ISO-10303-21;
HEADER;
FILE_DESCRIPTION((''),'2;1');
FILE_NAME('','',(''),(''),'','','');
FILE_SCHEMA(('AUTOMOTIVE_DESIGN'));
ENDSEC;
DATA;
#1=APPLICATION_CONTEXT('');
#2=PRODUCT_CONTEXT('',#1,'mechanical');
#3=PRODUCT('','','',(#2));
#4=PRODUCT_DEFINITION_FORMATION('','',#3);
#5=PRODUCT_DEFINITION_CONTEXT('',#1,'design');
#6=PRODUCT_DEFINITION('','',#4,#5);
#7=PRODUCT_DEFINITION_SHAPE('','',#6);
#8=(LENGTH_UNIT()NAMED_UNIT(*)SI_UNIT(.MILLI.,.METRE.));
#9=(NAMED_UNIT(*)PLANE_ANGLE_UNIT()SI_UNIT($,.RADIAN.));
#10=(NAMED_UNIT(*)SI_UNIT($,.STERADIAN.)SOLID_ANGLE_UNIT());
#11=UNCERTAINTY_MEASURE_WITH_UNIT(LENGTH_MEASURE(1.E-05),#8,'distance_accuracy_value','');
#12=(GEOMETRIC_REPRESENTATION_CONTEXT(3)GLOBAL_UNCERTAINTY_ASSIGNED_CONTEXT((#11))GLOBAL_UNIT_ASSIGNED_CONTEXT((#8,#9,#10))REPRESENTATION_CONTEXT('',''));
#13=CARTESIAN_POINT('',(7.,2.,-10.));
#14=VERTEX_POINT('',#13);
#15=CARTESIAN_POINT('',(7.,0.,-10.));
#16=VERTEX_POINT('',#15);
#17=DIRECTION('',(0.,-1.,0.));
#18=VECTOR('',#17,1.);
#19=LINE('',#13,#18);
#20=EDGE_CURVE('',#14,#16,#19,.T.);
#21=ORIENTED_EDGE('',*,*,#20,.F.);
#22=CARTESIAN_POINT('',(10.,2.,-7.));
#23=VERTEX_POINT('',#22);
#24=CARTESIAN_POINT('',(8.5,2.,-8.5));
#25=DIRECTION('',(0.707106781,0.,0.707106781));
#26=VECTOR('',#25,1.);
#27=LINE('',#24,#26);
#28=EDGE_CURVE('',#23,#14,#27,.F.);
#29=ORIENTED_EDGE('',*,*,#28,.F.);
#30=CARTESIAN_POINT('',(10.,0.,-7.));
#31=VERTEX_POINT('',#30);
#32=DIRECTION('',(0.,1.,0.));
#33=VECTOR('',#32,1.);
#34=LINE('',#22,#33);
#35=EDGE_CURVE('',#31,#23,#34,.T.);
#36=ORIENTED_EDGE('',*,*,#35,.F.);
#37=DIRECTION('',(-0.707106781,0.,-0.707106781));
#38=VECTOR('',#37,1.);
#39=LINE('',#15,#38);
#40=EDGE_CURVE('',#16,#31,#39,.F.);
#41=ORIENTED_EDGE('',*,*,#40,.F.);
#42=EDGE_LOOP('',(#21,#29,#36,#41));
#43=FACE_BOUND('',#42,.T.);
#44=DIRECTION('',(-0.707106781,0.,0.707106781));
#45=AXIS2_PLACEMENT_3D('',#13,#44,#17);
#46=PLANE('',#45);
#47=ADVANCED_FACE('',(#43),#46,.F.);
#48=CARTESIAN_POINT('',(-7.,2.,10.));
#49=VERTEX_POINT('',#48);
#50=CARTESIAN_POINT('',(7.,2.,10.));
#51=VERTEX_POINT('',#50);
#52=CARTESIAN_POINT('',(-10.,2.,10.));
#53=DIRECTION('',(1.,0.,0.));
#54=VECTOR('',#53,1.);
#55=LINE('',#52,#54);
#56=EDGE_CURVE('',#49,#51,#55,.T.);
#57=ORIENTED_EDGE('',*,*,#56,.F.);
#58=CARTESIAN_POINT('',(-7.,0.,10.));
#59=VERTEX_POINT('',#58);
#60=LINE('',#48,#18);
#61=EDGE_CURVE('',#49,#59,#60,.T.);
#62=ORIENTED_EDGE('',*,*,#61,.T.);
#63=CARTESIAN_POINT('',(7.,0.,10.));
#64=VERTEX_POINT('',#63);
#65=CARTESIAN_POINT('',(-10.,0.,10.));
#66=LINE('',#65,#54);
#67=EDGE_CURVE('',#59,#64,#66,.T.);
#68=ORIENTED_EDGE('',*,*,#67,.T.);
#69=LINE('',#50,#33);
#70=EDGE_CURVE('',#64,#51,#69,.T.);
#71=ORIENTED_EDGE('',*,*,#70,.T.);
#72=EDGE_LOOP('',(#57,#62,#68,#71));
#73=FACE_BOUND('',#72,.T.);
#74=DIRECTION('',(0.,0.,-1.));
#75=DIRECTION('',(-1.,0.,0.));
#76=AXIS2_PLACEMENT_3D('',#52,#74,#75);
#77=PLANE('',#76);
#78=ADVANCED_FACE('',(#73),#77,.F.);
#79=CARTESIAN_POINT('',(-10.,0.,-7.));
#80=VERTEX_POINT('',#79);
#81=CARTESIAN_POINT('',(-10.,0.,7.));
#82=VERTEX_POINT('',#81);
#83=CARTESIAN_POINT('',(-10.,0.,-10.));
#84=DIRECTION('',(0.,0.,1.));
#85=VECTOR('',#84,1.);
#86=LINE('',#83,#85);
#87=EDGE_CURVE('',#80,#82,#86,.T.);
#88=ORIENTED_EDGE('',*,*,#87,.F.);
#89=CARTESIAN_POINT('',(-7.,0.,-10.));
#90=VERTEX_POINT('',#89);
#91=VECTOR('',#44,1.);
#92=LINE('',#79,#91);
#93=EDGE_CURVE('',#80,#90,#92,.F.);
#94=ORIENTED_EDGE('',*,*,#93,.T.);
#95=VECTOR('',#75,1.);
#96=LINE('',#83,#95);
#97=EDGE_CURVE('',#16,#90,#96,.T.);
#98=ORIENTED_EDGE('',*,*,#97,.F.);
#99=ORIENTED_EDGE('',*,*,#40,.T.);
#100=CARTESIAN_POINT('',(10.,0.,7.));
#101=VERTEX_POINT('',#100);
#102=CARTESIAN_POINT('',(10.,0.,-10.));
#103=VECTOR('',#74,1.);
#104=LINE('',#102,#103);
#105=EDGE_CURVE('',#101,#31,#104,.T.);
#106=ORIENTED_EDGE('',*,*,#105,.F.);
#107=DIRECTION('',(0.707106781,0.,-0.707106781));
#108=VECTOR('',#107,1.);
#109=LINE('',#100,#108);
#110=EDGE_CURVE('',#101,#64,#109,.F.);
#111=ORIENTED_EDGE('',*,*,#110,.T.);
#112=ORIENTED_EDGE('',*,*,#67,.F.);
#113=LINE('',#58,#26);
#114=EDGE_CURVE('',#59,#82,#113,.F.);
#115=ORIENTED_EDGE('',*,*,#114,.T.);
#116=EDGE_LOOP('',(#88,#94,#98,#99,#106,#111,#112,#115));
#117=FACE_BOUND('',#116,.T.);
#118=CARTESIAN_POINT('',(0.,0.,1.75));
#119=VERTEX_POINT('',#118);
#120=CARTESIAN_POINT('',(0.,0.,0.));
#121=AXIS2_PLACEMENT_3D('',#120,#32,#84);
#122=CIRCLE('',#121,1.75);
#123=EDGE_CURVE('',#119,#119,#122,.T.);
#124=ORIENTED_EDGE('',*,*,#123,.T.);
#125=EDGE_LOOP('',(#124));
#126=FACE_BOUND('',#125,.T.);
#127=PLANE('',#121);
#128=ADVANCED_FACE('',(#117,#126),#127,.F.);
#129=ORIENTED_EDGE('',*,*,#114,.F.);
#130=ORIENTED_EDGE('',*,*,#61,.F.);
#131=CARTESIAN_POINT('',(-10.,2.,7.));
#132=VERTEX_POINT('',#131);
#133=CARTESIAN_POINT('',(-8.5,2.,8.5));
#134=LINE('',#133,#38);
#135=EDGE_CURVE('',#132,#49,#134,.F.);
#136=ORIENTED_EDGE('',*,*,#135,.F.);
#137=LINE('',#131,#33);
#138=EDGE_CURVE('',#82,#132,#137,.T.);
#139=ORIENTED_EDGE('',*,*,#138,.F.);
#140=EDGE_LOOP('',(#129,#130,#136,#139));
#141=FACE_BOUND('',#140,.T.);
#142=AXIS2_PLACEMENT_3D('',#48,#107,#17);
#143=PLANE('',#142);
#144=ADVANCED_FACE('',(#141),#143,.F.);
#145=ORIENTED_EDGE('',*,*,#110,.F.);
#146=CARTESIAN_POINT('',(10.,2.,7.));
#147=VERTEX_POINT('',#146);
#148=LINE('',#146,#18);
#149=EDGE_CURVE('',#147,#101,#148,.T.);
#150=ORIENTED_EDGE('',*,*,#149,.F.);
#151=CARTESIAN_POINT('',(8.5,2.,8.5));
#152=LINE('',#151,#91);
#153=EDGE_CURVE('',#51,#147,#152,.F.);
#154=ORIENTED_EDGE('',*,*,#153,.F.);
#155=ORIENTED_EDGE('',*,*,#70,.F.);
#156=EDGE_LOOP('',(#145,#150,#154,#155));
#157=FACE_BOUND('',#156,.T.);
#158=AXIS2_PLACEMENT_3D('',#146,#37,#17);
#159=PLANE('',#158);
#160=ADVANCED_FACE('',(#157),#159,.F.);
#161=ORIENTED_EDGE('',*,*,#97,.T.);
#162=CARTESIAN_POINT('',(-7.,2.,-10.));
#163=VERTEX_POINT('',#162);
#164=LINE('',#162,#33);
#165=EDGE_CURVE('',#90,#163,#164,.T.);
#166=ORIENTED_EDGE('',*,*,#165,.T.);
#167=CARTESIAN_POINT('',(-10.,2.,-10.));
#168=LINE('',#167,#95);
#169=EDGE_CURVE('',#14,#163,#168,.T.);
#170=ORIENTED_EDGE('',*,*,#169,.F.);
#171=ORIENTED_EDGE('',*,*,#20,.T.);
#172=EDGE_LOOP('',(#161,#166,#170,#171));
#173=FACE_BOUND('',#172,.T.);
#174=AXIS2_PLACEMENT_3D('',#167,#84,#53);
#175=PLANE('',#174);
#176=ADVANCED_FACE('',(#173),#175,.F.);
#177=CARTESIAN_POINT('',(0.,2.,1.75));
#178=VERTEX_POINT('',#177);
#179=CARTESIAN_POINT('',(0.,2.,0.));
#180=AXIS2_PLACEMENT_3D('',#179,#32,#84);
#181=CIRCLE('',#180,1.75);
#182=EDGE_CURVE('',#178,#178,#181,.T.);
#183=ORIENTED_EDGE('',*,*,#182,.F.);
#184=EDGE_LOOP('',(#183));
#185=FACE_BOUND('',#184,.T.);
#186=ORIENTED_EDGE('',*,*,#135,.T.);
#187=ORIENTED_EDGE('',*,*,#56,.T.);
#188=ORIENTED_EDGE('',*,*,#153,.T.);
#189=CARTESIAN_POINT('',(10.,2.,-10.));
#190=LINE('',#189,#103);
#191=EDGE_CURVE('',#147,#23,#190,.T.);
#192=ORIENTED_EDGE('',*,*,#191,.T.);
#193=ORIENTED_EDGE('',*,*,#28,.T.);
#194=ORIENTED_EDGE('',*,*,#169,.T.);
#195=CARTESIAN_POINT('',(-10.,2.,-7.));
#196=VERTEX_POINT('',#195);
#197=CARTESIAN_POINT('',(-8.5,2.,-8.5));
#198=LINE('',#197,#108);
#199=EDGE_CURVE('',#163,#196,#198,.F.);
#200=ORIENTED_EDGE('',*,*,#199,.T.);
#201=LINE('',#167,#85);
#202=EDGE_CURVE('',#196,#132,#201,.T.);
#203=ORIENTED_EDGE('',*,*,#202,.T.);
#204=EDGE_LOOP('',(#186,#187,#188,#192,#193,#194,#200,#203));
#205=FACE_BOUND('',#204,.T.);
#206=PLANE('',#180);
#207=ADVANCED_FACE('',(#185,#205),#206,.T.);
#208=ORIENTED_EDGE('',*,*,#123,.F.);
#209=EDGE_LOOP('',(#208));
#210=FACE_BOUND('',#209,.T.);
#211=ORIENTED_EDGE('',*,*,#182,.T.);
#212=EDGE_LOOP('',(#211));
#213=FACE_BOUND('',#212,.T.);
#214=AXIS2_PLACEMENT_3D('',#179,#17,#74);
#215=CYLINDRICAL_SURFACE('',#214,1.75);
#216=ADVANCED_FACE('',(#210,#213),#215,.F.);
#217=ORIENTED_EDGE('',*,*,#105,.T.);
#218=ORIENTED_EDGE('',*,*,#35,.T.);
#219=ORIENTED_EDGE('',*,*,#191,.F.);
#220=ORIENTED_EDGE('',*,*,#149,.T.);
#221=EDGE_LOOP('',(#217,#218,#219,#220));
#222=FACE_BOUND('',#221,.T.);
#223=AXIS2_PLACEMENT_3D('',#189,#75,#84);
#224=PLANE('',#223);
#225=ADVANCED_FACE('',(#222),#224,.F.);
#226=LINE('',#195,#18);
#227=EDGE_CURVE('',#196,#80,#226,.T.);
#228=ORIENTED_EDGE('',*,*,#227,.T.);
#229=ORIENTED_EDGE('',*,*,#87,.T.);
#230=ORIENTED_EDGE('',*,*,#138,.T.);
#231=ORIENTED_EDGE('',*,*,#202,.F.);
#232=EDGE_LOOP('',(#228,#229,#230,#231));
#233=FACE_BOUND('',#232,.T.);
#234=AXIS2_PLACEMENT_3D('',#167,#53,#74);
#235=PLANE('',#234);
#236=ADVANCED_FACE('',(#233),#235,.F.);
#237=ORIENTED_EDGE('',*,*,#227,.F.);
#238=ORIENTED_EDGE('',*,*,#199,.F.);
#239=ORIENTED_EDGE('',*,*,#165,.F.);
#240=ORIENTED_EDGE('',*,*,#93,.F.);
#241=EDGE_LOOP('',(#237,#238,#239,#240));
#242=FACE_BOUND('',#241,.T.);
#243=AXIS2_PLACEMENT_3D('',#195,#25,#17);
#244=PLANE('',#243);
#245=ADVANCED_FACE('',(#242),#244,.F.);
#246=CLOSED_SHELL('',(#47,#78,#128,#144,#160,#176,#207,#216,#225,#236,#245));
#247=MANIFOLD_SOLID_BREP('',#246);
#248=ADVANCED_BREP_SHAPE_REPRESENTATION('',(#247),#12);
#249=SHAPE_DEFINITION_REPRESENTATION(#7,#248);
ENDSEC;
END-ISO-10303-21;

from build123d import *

# Parameters (mm, degrees)
SKETCH1_W           = 20
SKETCH1_H           = 20
SKETCH1_R           = 1.75
BOSS_EXTRUDE1_DEPTH = 2
CHAMFER1_SIZE       = 3


with BuildPart() as part:
    # Sketch1 → Boss-Extrude1 (new body)
    with BuildSketch(Plane(origin=(0, 0, 0), x_dir=(1, 0, 0), z_dir=(0, 1, 0))):
        Rectangle(SKETCH1_W, SKETCH1_H)
        with Locations(Location((0, 0, 0), (0, 0, 270))):
            Circle(SKETCH1_R, mode=Mode.SUBTRACT)
    extrude(amount=BOSS_EXTRUDE1_DEPTH)

    # Chamfer1
    chamfer1_edges = [part.edges().sort_by_distance(p)[0] for p in [
        (-10, 1, -10),
        (10, 1, -10),
        (10, 1, 10),
        (-10, 1, 10),
    ]]
    chamfer(chamfer1_edges, length=CHAMFER1_SIZE)


solid = part.part
